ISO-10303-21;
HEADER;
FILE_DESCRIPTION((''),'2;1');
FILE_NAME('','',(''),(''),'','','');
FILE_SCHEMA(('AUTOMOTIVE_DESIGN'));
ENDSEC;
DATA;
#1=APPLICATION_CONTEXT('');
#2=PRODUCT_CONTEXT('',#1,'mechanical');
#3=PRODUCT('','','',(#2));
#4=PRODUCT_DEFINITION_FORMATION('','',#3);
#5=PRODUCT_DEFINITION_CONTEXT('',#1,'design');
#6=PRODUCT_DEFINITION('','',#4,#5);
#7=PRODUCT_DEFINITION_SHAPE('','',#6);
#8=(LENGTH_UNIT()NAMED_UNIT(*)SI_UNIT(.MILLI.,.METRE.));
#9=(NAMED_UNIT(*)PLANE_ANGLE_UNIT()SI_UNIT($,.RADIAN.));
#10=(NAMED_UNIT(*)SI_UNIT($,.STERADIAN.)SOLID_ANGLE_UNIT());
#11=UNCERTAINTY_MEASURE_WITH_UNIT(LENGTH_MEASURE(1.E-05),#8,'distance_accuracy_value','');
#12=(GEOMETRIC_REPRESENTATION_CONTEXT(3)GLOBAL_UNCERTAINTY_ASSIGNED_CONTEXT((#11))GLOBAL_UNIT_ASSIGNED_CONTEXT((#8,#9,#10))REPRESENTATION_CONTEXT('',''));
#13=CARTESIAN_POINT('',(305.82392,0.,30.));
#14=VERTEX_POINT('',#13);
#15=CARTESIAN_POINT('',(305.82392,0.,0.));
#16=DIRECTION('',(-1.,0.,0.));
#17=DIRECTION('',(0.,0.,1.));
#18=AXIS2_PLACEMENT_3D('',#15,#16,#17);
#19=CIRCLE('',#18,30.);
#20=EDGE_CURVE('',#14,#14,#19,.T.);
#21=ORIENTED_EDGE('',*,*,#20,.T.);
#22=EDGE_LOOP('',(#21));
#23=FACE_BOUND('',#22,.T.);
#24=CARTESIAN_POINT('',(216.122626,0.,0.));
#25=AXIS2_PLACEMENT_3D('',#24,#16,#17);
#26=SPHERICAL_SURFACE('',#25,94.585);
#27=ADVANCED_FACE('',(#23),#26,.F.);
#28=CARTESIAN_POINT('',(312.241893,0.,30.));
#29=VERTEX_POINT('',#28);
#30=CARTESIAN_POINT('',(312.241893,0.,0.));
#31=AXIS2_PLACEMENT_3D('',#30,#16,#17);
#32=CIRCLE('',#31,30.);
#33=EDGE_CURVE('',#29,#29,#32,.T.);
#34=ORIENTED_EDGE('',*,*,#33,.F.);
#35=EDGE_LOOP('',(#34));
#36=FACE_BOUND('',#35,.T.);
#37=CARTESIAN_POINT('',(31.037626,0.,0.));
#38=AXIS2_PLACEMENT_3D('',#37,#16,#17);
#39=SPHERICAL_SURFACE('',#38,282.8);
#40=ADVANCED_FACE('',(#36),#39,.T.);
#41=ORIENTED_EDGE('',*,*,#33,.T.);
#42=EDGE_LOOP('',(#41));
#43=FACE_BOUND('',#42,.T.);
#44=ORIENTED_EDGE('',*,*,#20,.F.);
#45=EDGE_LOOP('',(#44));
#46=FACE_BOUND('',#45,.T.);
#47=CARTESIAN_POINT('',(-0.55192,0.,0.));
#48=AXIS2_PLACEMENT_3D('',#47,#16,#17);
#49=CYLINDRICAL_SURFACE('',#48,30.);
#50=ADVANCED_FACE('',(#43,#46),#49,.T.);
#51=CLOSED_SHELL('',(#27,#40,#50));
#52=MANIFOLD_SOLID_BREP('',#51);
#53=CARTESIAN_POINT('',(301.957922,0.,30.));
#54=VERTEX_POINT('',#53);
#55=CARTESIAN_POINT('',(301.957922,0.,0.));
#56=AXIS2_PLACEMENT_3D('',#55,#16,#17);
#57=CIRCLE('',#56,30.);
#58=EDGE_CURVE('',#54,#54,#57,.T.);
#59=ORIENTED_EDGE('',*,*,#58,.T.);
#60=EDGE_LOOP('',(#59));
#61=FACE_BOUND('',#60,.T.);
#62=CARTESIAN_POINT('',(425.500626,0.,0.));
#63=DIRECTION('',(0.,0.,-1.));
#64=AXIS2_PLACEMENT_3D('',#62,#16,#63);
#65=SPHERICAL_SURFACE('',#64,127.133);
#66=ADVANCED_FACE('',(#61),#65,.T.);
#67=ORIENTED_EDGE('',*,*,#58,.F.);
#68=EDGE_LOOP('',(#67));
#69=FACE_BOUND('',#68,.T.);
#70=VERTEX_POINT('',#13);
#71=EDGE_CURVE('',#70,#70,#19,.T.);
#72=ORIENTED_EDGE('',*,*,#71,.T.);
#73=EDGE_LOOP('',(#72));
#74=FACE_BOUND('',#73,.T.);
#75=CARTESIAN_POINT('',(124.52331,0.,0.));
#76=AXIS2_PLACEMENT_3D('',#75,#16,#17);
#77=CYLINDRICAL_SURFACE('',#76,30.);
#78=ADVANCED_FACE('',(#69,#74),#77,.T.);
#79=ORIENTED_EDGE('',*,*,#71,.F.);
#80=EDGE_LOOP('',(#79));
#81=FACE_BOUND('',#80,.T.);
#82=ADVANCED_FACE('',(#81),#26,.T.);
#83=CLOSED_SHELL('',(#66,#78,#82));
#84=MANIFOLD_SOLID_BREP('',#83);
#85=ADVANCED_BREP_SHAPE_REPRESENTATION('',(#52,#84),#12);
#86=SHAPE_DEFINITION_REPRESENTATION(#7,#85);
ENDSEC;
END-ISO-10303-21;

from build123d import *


with BuildPart() as part:
    # 草图1 one side → 旋转1 (revolve)
    with BuildSketch(Plane(origin=(0, 0, 0), x_dir=(1, 0, 0), z_dir=(0, 1, 0)), mode=Mode.PRIVATE) as revolve_1_sk:
        with BuildLine():
            ThreePointArc((301.957921643, 30), (299.268390633, 15.107036655), (298.367625551, 0))
            Line((298.367625551, 0), (310.707625551, 0))
            ThreePointArc((310.707625551, 0), (309.478715765, 15.197455214), (305.823919996, 30))
            Line((305.823919996, 30), (301.957921643, 30))
        make_face()
    revolve(revolve_1_sk.sketch.rotate(Axis((124.523309526, 0, 0), (1, 0, 0)), 180), axis=Axis((124.523309526, 0, 0), (1, 0, 0)))  # turned: the seam where the file's is


with BuildPart() as body_2:
    # 草图2 one side → 旋转3 (revolve)
    with BuildSketch(Plane(origin=(0, 0, 0), x_dir=(1, 0, 0), z_dir=(0, 1, 0)), mode=Mode.PRIVATE) as revolve_3_sk:
        with BuildLine():
            Line((312.241892944, 30), (305.823919996, 30))
            ThreePointArc((305.823919996, 30), (309.478715765, 15.197455214), (310.707625551, 0))
            Line((310.707625551, 0), (313.837625551, 0))
            ThreePointArc((313.837625551, 0), (313.438410623, 15.0212047), (312.241892944, 30))
        make_face()
    revolve(revolve_3_sk.sketch.rotate(Axis((-0.551919993, 0, 0), (1, 0, 0)), 180), axis=Axis((-0.551919993, 0, 0), (1, 0, 0)))  # turned: the seam where the file's is


solid = Compound([part.part, body_2.part])
